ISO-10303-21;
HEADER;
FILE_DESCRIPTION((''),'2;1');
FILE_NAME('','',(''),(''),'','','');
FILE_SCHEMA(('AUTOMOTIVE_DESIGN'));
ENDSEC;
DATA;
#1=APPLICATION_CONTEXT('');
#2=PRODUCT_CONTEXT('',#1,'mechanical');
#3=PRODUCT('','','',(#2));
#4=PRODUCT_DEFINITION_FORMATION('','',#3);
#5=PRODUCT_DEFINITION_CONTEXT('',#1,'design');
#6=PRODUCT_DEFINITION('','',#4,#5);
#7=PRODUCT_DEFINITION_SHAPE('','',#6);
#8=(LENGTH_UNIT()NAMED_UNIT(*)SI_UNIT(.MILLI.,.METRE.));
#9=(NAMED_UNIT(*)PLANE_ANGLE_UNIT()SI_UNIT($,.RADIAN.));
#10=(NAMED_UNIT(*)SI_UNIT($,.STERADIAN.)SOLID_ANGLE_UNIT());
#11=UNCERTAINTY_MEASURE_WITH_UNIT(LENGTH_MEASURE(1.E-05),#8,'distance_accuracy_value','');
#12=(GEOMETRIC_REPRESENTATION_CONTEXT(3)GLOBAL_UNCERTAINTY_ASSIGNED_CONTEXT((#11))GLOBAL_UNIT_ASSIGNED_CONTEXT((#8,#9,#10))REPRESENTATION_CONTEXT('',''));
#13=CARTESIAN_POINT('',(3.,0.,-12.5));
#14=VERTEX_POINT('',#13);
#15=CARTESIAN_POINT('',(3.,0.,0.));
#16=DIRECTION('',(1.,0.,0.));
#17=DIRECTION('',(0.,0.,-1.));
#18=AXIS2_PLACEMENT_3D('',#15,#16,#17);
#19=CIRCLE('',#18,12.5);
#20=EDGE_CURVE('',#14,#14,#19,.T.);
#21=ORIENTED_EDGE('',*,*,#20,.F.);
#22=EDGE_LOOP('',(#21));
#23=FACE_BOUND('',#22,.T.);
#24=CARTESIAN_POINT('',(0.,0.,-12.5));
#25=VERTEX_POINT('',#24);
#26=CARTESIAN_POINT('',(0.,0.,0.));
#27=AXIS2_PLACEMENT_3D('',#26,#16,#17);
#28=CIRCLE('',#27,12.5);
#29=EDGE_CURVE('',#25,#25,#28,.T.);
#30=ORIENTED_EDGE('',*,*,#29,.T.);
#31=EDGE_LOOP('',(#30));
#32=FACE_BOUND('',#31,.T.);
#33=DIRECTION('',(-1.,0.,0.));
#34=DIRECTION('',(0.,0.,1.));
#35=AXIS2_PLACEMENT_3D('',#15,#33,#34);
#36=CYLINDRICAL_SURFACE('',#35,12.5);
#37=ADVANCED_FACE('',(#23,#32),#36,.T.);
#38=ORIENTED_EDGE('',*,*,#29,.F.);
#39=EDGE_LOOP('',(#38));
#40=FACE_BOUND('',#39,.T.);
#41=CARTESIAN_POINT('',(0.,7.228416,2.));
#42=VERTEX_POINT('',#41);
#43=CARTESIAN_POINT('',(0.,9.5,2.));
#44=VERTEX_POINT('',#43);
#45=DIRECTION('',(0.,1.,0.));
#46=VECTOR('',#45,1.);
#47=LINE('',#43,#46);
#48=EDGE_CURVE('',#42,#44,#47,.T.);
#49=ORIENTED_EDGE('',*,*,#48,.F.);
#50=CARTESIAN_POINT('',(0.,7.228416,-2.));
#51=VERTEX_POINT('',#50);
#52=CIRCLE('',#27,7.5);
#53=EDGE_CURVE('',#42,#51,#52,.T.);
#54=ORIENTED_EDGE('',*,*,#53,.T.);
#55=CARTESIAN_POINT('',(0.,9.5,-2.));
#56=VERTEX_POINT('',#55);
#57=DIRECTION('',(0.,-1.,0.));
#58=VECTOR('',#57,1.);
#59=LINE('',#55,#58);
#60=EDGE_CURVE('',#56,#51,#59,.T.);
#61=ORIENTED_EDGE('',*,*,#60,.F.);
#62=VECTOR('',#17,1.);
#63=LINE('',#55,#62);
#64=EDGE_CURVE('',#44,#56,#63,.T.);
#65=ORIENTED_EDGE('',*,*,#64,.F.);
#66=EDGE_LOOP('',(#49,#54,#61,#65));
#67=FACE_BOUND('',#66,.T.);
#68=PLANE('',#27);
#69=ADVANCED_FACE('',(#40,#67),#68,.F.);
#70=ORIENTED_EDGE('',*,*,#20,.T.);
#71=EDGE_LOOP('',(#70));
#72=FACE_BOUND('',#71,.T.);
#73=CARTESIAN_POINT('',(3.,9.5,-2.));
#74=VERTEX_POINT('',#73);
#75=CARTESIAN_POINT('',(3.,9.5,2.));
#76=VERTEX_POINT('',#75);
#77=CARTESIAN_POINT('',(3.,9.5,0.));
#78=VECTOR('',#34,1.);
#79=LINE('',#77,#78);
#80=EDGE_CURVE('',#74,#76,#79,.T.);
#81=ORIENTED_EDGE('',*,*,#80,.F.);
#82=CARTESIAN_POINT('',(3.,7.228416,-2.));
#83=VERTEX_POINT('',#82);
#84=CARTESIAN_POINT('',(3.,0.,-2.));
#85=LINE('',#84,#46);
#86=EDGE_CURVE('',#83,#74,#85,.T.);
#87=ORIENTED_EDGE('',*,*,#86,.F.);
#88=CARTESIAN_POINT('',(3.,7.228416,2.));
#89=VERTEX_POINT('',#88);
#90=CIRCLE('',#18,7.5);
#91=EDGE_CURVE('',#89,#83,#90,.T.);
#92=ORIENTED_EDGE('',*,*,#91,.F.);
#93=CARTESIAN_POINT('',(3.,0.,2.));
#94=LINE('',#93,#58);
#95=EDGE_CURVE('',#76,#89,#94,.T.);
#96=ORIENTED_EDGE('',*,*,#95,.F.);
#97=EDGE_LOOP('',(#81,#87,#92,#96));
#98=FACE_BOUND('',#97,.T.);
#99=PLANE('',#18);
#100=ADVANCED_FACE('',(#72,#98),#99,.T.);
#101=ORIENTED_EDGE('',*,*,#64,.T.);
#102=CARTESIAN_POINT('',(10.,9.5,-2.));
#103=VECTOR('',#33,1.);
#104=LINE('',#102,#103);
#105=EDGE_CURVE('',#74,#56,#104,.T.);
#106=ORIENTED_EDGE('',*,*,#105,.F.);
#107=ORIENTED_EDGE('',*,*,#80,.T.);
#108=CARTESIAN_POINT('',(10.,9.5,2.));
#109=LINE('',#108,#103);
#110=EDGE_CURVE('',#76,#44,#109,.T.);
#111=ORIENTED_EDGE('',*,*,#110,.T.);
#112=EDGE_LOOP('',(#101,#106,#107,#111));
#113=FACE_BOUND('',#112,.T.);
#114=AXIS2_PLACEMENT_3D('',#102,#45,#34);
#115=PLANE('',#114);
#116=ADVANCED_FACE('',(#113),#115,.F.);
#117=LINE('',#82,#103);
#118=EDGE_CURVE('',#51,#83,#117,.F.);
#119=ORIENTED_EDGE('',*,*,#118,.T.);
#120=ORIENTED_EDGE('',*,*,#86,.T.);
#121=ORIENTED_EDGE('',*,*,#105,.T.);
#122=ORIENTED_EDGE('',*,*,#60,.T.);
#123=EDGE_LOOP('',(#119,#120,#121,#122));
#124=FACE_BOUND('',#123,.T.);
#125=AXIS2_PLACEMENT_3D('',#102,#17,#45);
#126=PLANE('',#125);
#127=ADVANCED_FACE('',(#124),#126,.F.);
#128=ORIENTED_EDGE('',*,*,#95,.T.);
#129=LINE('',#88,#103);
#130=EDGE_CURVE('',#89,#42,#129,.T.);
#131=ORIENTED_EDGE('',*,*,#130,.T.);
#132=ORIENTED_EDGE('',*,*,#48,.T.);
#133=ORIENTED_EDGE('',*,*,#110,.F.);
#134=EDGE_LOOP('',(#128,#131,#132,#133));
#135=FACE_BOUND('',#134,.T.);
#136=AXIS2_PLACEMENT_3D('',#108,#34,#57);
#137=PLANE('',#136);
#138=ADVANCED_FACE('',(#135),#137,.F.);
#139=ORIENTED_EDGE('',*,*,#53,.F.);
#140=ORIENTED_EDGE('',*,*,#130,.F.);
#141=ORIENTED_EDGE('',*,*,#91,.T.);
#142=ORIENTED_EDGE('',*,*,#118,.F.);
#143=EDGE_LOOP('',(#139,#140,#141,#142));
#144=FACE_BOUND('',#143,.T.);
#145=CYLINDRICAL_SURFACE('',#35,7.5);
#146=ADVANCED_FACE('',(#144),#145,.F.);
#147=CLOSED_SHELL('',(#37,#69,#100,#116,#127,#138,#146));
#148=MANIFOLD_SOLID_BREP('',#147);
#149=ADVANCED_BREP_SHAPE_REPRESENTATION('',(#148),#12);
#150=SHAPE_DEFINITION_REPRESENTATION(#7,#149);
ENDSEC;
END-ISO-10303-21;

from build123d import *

# Parameters (mm, degrees)
SKETCH1_R           = 12.5
SKETCH1_R_2         = 7.5
BOSS_EXTRUDE1_DEPTH = 3
SKETCH2_W           = 4
SKETCH2_H           = 4
CUT_EXTRUDE1_DEPTH  = 10


with BuildPart() as part:
    # Sketch1 → Boss-Extrude1 (new body)
    with BuildSketch(Plane(origin=(0, 0, 0), x_dir=(0, 0, -1), z_dir=(1, 0, 0))):
        Circle(SKETCH1_R)
        Circle(SKETCH1_R_2, mode=Mode.SUBTRACT)
    extrude(amount=BOSS_EXTRUDE1_DEPTH)

    # Sketch2 → Cut-Extrude1 (cut)
    with BuildSketch(Plane.ZY):
        with Locations((0, 7.5)):
            Rectangle(SKETCH2_W, SKETCH2_H)
    extrude(amount=-CUT_EXTRUDE1_DEPTH, mode=Mode.SUBTRACT)


solid = part.part
